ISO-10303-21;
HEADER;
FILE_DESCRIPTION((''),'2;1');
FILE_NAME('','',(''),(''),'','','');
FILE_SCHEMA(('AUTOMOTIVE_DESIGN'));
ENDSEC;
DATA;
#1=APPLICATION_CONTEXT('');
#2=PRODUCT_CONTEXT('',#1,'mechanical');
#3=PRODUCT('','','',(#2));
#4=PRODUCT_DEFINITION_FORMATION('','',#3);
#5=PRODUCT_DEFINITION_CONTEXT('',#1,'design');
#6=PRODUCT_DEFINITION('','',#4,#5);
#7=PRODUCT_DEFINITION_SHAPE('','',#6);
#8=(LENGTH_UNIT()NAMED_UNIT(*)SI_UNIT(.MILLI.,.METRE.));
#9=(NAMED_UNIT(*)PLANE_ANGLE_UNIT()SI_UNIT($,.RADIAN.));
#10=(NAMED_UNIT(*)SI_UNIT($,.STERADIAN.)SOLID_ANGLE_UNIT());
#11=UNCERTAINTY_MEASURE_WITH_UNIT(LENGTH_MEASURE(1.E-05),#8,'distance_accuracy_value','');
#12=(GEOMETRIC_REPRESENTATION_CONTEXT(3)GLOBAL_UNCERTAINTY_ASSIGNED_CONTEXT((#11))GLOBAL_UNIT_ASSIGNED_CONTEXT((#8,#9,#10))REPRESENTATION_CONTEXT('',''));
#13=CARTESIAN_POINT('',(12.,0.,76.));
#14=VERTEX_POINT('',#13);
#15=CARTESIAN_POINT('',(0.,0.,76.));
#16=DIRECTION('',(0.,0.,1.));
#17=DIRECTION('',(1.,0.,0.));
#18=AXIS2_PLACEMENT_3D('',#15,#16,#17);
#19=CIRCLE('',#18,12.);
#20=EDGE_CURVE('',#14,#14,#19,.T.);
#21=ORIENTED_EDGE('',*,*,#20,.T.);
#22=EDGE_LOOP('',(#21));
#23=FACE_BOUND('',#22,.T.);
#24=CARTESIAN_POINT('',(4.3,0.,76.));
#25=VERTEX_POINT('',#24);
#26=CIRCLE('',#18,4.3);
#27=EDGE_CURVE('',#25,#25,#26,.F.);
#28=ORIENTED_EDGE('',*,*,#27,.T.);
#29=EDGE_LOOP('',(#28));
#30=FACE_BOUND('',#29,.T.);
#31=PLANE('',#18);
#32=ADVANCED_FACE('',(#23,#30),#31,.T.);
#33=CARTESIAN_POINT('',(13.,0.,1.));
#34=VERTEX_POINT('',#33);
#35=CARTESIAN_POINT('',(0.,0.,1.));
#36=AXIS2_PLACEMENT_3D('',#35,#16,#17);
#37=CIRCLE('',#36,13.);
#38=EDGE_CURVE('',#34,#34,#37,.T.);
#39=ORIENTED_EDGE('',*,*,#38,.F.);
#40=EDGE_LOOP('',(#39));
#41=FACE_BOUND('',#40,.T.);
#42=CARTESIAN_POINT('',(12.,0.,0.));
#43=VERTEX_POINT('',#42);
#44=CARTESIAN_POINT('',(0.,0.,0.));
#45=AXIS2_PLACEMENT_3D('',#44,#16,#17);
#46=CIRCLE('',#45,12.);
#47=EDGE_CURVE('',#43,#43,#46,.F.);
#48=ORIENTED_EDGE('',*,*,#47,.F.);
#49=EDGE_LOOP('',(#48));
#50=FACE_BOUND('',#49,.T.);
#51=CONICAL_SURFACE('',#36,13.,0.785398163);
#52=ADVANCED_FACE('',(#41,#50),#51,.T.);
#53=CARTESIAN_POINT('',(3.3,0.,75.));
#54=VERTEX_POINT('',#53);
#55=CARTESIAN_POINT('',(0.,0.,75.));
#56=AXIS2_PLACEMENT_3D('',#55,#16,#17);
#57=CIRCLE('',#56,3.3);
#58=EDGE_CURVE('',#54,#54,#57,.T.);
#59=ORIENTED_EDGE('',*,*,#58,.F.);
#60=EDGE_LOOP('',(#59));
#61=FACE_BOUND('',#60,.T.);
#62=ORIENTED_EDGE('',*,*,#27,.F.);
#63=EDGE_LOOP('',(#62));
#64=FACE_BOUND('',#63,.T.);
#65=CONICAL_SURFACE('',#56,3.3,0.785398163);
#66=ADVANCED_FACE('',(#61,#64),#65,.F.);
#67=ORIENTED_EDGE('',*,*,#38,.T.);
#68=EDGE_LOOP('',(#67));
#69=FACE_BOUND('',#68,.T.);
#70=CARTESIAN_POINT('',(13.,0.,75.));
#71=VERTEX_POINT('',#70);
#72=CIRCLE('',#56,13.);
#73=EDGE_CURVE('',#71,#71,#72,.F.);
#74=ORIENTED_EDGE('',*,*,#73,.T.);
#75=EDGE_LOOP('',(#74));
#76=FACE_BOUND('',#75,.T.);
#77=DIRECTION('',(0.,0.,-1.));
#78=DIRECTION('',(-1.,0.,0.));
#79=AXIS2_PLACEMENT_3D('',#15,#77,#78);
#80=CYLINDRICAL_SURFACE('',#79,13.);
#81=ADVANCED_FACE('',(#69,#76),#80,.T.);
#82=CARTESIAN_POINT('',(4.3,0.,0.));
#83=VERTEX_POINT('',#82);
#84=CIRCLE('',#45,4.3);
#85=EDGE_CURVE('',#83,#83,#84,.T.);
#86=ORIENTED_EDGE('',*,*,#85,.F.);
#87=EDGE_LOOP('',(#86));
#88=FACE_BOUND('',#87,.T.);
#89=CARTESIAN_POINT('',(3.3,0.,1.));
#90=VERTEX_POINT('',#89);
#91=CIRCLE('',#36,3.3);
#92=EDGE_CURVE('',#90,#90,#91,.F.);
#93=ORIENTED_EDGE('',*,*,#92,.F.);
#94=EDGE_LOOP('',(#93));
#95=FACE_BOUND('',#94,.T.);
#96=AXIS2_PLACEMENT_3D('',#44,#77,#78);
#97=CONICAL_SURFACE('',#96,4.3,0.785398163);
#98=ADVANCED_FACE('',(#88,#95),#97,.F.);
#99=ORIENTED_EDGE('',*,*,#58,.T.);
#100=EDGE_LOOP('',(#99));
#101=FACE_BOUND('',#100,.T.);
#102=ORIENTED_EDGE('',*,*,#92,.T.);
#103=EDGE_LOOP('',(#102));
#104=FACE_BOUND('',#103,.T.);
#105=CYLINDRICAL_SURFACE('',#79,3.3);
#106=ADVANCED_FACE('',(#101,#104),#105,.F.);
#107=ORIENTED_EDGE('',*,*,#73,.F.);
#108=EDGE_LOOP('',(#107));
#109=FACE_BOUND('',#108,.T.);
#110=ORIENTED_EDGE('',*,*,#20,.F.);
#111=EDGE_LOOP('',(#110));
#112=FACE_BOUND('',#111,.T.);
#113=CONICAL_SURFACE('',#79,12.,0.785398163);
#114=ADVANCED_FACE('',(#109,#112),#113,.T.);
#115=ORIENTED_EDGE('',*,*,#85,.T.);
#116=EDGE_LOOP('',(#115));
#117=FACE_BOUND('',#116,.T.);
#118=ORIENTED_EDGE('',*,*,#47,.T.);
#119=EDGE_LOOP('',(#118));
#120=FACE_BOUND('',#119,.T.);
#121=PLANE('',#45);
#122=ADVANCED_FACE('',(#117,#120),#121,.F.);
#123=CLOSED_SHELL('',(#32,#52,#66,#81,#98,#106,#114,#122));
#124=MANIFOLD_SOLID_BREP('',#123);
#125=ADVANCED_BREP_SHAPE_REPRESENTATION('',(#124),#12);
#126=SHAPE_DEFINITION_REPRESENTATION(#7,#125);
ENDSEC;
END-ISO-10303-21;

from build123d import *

# Parameters (mm, degrees)
ESQUISSE1_R        = 13
ESQUISSE1_R_2      = 3.3
BOSS_EXTRU_1_DEPTH = 76
CHANFREIN1_SIZE    = 1


with BuildPart() as part:
    # Esquisse1 → Boss.-Extru.1 (new body)
    with BuildSketch(Plane.XY):
        Circle(ESQUISSE1_R)
        Circle(ESQUISSE1_R_2, mode=Mode.SUBTRACT)
    extrude(amount=BOSS_EXTRU_1_DEPTH)

    # Chanfrein1
    chanfrein1_edges = [part.edges().sort_by_distance(p)[0] for p in [
        (-13, 0, 0),
        (-13, 0, 76),
        (-3.3, 0, 0),
        (-3.3, 0, 76),
    ]]
    chamfer(chanfrein1_edges, length=CHANFREIN1_SIZE)


solid = part.part
